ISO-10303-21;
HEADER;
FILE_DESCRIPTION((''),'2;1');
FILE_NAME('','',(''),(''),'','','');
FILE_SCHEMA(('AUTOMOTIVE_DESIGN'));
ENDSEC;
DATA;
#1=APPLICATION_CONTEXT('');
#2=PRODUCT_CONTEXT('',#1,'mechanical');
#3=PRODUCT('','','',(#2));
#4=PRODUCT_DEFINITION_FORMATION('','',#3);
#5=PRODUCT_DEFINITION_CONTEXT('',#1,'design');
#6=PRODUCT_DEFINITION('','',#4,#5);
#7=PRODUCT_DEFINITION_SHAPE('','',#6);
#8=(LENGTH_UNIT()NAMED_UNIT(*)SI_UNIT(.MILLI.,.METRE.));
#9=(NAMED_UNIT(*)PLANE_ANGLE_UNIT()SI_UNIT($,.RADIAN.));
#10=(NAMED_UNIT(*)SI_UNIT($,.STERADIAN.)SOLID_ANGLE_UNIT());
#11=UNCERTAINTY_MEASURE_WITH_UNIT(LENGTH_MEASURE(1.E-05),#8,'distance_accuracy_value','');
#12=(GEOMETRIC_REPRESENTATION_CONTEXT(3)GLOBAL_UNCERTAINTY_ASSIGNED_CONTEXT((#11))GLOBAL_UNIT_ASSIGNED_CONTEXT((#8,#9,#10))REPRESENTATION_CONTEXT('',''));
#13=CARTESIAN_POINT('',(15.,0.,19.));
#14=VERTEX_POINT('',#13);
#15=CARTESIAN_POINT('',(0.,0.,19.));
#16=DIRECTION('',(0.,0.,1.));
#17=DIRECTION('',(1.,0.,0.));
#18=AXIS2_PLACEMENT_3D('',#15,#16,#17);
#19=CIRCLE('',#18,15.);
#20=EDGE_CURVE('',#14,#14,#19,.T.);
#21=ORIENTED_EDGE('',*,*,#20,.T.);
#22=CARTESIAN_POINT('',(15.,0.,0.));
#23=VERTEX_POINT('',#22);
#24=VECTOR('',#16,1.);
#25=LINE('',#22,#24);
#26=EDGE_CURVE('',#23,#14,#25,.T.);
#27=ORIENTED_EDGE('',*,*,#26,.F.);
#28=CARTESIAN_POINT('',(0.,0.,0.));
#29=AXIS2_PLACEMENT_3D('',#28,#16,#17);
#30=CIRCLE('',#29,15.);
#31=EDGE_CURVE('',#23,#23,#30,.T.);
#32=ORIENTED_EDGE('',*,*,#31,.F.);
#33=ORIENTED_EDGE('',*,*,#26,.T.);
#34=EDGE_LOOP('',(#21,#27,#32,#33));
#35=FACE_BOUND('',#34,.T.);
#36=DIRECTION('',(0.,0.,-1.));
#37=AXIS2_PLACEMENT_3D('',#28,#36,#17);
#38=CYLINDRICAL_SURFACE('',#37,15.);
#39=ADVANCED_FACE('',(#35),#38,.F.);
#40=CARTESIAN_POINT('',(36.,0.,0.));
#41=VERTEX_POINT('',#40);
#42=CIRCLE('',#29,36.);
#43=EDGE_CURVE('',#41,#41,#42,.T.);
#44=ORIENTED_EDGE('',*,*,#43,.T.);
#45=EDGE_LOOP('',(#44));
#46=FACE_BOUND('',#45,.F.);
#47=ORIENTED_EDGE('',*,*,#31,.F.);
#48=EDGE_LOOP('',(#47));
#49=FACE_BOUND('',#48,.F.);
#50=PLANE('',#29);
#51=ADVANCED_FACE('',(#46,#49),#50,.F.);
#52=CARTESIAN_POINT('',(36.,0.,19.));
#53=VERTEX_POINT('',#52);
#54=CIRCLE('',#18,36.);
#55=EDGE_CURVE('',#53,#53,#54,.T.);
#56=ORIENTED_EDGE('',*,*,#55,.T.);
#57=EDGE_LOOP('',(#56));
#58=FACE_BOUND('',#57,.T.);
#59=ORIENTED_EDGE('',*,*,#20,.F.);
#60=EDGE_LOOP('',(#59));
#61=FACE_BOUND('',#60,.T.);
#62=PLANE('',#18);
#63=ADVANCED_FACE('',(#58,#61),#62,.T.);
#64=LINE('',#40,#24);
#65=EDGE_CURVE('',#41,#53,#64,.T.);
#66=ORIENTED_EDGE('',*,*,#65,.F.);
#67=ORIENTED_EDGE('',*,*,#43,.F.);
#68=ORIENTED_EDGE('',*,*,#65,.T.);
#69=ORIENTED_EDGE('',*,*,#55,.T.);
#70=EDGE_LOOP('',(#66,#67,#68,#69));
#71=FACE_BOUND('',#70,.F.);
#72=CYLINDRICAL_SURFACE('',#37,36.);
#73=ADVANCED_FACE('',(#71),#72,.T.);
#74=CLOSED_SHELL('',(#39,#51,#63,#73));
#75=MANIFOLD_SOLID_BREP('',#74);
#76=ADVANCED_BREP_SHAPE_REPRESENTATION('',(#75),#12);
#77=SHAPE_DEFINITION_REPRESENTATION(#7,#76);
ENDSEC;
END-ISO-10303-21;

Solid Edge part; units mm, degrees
sketch "Sketch1" plane through (0, 0, 0) normal (0, 0, 1) x (1, 0, 0)
  circle A0 centre (0, 0) radius 36
  circle A1 centre (0, 0) radius 15
  dimension "D1" = 30
  dimension "D2" = 72
extrude "Extrusionsausprägung_16" add sketch "Sketch1" along normal blind 19
